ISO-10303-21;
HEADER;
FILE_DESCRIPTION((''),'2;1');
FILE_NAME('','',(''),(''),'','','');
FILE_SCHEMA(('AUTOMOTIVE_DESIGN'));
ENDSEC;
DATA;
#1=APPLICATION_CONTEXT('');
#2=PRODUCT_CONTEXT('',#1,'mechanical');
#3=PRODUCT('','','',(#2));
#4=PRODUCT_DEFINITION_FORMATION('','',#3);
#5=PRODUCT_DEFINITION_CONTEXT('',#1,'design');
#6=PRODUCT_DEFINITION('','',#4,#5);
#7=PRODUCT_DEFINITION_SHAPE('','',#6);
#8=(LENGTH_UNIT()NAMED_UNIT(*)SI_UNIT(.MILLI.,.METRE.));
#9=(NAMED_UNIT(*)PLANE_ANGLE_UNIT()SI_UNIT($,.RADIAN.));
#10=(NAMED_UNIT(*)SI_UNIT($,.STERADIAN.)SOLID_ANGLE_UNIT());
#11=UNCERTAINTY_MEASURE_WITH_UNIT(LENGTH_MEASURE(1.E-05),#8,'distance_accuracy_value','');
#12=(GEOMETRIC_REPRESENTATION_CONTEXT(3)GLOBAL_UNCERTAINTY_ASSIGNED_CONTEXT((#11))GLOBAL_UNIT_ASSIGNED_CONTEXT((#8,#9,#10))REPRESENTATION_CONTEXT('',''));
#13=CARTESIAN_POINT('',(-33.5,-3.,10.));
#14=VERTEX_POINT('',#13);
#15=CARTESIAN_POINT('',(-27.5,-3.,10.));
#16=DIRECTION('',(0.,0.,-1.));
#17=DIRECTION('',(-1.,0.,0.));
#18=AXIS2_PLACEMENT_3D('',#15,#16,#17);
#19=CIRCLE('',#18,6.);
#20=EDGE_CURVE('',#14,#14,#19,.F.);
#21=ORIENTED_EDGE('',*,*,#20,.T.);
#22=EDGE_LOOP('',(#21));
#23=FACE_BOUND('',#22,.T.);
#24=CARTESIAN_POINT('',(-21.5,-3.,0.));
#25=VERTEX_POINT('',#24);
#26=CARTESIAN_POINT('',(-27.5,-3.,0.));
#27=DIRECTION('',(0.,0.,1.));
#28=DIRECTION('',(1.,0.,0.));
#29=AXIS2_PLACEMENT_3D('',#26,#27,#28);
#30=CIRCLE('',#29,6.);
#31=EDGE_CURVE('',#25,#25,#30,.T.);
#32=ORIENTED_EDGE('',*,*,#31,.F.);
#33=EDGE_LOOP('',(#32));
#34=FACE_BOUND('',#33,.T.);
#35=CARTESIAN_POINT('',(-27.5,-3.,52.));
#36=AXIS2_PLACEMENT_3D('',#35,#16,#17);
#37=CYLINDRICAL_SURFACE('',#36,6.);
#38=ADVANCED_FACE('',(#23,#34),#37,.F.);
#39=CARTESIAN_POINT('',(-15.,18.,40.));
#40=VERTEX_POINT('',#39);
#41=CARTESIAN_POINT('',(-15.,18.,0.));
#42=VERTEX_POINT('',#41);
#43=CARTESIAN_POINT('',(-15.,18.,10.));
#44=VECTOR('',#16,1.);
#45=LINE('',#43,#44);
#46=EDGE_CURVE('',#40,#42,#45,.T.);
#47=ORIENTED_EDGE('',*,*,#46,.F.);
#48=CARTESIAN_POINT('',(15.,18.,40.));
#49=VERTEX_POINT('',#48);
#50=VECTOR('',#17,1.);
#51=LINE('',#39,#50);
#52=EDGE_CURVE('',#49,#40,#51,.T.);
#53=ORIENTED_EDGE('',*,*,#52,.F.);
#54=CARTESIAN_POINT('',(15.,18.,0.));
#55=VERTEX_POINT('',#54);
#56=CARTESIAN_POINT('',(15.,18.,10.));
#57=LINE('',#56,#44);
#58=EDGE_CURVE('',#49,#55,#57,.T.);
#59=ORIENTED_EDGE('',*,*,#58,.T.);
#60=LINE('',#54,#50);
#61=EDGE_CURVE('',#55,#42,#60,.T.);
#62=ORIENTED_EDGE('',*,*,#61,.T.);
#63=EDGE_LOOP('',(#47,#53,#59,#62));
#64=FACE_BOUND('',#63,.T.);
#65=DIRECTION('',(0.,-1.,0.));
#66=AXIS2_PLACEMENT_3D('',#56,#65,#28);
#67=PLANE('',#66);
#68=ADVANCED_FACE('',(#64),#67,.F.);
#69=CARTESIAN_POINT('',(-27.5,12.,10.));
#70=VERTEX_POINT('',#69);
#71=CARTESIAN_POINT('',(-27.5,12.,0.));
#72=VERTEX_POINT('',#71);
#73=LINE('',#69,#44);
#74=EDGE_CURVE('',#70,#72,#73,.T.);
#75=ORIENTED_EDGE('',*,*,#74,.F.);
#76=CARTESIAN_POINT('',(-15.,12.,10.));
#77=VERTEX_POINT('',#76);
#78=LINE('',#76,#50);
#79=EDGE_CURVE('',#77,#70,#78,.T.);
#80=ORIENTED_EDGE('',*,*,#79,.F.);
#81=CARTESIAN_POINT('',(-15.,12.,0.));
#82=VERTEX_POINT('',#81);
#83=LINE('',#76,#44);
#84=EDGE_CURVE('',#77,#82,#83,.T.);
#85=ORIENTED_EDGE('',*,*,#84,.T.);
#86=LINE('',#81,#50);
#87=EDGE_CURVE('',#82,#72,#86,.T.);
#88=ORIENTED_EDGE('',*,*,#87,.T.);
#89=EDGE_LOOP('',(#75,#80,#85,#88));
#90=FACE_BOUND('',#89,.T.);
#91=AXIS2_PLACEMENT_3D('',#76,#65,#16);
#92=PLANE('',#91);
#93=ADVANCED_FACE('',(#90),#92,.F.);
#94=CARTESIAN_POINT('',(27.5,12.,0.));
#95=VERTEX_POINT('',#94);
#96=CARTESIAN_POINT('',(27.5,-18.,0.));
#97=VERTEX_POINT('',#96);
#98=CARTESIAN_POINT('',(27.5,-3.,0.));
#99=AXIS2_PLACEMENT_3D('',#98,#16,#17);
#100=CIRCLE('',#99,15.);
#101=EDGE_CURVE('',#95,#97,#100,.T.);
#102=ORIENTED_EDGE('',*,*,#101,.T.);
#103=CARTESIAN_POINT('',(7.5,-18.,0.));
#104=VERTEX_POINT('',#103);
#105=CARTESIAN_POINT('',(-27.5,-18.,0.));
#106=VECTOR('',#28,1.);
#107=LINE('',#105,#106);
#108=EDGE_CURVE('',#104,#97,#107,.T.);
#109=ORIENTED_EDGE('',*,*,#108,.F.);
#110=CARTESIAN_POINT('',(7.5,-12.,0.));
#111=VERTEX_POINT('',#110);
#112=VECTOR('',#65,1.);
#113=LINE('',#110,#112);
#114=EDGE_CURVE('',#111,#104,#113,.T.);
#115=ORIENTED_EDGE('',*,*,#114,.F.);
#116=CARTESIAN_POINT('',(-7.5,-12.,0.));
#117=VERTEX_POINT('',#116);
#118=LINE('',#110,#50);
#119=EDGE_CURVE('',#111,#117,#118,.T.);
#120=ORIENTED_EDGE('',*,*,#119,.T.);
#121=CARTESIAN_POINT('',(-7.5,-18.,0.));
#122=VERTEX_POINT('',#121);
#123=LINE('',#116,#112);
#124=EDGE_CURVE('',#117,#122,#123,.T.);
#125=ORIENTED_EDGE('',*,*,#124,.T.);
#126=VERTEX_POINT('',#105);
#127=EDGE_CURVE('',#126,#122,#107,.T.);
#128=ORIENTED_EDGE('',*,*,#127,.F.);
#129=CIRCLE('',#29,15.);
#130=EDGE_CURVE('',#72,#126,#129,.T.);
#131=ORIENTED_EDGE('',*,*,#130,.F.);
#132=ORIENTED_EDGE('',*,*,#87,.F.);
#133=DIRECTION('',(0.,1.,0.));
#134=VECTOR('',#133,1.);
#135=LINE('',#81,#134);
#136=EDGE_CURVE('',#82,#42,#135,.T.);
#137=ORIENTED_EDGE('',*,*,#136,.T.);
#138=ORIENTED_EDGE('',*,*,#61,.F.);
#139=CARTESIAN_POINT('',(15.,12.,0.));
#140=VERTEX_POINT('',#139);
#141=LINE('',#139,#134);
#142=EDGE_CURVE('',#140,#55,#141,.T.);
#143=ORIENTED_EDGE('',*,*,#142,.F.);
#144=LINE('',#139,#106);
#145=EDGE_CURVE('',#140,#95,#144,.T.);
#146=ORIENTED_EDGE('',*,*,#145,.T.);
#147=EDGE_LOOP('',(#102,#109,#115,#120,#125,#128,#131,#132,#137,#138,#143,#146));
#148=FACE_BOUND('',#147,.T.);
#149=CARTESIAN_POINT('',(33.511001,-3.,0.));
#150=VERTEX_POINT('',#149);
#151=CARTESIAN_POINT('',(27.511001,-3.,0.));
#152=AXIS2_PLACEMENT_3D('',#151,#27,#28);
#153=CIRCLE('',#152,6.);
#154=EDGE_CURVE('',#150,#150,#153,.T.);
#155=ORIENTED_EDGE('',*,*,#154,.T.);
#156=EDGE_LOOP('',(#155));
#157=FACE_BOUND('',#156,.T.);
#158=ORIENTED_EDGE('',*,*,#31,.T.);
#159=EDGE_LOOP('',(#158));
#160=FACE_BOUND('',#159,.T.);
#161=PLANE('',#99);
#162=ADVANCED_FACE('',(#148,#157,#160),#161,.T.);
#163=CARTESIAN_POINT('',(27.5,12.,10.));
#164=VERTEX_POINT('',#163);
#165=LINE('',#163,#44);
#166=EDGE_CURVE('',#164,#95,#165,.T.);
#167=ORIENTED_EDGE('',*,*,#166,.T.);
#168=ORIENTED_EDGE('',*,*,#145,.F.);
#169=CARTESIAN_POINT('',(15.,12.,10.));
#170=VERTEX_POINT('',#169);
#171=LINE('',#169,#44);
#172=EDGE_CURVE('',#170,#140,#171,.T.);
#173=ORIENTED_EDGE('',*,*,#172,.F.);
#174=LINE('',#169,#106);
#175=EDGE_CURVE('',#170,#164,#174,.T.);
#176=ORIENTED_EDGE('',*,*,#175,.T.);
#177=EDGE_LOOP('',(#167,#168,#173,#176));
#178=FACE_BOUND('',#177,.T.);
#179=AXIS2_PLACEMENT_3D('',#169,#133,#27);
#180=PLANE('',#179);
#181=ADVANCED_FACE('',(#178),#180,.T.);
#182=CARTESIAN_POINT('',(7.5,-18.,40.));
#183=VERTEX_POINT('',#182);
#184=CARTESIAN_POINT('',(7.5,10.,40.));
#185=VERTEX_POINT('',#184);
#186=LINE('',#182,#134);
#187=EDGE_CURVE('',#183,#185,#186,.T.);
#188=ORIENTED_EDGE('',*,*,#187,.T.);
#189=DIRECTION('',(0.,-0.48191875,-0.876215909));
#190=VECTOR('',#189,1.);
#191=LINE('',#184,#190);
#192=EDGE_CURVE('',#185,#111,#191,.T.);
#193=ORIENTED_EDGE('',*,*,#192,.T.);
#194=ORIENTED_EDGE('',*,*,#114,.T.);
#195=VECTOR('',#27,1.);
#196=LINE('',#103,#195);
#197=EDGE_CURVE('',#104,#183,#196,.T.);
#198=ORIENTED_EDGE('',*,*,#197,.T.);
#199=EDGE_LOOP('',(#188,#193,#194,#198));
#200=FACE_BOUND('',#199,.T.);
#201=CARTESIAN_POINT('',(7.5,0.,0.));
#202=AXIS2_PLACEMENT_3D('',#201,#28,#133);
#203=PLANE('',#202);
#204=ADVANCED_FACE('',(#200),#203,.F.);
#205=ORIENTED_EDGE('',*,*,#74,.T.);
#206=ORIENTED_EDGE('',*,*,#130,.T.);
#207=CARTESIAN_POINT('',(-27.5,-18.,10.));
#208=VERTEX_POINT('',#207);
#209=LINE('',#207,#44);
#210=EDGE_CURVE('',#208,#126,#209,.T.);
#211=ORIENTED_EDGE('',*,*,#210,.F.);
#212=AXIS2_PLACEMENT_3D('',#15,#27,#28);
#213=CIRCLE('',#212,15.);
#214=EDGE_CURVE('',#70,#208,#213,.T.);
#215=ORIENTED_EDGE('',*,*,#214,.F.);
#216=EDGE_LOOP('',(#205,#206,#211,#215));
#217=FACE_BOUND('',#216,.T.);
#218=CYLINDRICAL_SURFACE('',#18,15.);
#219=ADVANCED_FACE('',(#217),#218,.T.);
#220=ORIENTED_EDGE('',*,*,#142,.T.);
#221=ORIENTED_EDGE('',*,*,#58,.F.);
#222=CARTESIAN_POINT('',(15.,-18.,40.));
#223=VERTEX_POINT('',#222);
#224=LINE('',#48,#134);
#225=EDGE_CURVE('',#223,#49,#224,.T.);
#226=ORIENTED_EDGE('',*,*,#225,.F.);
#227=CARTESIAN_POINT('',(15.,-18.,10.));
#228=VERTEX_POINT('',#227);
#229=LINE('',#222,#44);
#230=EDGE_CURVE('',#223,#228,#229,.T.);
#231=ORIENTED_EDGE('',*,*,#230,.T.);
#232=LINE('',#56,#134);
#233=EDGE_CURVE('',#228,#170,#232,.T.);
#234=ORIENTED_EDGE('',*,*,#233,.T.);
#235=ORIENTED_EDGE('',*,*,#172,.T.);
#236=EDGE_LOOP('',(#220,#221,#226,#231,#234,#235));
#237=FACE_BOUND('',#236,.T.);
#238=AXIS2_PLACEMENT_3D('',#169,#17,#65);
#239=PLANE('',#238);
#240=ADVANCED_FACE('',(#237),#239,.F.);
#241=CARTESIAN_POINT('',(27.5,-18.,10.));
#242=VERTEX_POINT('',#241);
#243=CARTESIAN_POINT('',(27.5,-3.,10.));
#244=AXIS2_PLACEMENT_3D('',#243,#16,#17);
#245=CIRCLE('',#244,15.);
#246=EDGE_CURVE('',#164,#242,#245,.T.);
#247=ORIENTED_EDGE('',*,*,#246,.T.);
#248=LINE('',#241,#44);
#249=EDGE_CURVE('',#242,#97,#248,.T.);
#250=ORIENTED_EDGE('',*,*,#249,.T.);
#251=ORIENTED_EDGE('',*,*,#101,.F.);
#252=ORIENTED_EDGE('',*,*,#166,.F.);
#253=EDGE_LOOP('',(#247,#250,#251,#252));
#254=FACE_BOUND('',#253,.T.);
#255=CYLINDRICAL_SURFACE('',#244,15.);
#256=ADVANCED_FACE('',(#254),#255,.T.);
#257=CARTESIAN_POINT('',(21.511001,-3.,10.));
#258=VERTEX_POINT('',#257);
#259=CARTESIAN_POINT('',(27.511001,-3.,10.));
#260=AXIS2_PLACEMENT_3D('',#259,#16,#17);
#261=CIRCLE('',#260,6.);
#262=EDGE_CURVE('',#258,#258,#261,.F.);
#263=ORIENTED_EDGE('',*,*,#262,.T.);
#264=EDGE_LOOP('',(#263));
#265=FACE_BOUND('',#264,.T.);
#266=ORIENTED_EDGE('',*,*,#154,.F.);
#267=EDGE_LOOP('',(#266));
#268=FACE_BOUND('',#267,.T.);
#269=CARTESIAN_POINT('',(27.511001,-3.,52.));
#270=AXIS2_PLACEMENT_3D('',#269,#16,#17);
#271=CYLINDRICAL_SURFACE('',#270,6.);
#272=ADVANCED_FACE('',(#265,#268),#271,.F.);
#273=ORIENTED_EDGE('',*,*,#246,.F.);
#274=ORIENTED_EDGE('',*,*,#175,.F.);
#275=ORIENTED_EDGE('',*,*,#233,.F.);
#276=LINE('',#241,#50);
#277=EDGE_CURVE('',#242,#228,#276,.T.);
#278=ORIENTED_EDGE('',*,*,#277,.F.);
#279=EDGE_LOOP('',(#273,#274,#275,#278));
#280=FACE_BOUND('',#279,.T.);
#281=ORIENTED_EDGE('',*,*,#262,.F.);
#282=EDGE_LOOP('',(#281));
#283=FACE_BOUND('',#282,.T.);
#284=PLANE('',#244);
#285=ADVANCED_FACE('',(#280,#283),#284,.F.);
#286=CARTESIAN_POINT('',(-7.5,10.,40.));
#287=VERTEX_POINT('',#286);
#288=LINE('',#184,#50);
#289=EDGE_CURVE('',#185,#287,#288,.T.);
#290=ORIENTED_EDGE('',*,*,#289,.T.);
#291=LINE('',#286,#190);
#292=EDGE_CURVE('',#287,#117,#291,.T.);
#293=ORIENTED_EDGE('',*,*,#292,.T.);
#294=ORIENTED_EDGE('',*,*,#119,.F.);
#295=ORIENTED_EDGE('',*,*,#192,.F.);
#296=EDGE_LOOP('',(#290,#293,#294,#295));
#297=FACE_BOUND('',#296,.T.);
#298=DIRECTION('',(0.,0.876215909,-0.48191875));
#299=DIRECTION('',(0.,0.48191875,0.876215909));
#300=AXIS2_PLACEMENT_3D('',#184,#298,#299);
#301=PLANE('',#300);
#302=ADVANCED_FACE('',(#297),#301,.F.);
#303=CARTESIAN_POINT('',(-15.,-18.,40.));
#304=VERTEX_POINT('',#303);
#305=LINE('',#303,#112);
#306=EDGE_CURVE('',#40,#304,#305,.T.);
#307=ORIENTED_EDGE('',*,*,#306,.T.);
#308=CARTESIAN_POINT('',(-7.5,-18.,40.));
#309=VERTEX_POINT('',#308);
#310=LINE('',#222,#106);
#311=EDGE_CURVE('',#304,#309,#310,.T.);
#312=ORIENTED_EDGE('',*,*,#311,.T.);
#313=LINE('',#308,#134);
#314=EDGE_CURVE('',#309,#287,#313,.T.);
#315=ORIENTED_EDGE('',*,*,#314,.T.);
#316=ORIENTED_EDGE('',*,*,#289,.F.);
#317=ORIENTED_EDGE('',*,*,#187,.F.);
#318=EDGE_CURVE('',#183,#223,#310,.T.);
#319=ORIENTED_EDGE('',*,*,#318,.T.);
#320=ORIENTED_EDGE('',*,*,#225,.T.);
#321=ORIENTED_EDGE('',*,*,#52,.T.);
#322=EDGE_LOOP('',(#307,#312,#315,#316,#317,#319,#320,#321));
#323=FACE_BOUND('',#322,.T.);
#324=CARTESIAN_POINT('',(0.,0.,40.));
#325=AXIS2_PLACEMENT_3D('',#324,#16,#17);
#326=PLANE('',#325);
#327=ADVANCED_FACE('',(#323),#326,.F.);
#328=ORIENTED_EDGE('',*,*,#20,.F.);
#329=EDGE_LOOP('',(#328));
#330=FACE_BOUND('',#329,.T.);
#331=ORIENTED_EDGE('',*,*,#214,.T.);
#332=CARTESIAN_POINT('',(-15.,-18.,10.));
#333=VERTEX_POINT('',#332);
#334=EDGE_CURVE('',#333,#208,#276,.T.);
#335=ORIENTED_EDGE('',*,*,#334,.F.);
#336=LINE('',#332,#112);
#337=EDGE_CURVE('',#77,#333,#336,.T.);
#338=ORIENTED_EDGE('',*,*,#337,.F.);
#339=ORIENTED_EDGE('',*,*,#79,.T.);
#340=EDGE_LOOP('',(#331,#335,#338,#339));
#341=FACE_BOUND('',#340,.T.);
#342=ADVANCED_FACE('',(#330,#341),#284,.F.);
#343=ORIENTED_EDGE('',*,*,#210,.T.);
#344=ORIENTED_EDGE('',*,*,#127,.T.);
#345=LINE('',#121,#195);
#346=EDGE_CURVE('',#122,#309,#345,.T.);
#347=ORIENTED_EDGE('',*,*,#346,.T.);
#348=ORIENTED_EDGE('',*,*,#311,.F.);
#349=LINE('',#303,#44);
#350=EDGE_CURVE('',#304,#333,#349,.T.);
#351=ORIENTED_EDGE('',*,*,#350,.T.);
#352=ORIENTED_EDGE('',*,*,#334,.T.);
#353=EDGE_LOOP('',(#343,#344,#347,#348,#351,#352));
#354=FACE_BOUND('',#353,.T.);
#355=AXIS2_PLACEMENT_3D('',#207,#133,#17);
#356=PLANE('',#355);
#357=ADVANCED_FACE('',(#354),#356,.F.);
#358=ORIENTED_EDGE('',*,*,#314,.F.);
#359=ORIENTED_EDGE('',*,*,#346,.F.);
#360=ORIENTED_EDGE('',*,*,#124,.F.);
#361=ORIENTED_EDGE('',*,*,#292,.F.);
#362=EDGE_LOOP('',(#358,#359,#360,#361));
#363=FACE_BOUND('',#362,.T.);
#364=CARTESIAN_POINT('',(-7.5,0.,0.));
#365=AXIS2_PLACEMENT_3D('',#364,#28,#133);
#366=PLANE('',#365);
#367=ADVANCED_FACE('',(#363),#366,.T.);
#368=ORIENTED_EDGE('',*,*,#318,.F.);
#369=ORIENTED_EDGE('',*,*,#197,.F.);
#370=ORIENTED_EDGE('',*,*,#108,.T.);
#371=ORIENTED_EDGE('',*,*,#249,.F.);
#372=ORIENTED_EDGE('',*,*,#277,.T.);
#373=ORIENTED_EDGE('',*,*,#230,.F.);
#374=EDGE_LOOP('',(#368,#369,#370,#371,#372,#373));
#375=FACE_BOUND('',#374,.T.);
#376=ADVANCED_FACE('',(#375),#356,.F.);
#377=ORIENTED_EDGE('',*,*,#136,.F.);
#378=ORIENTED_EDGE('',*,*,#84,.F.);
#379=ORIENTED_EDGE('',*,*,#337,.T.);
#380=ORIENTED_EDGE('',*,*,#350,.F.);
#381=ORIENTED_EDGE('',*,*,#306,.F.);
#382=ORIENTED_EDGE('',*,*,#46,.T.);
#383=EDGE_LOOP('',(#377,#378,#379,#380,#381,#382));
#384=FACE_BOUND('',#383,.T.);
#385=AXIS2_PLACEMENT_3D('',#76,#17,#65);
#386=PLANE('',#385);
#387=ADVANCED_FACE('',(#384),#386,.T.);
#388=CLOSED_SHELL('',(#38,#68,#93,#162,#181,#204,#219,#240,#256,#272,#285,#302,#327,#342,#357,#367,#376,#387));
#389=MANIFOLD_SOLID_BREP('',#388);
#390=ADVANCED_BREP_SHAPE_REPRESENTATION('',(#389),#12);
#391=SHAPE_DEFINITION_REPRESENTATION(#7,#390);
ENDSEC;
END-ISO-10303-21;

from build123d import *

# Parameters (mm, degrees)
EXTRUDE_1_DEPTH     = 10
SKETCH_3_W          = 30
SKETCH_3_H          = 36
EXTRUDE_2_DEPTH     = 30
SKETCH_4_R          = 6
CUT_EXTRUDE_1_DEPTH = 52
CUT_EXTRUDE_START   = -7.5
CUT_EXTRUDE_2_DEPTH = 15


with BuildPart() as part:
    # 草图1 → 凸台-拉伸1 (new body)
    with BuildSketch(Plane.XY):
        with BuildLine():
            Line((15, -18), (-15, -18))
            Line((-15, -18), (-27.5, -18))
            ThreePointArc((-27.5, -18), (-38.106601718, -13.606601718), (-42.5, -3))
            ThreePointArc((-42.5, -3), (-38.106601718, 7.606601718), (-27.5, 12))
            Line((-27.5, 12), (-15, 12))
            Line((-15, 12), (-15, 18))
            Line((-15, 18), (15, 18))
            Line((15, 18), (15, 12))
            Line((15, 12), (27.5, 12))
            ThreePointArc((27.5, 12), (38.106601718, 7.606601718), (42.5, -3))
            ThreePointArc((42.5, -3), (38.106601718, -13.606601718), (27.5, -18))
            Line((27.5, -18), (15, -18))
        make_face()
    extrude(amount=EXTRUDE_1_DEPTH)

    # 草图3 → 凸台-拉伸2 (add)
    with BuildSketch(Plane.XY.offset(10)):
        Rectangle(SKETCH_3_W, SKETCH_3_H)
    extrude(amount=EXTRUDE_2_DEPTH)

    # 草图4 → 切除-拉伸1 (cut)
    with BuildSketch(Plane.XY):
        with Locations(Location((-27.5, -3, 0), (0, 0, 180))):
            Circle(SKETCH_4_R)
        with Locations(Location((27.511001478, -3, 0), (0, 0, 180))):
            Circle(SKETCH_4_R)
    extrude(amount=CUT_EXTRUDE_1_DEPTH, mode=Mode.SUBTRACT)

    # 草图5 → 切除-拉伸2 (cut)
    with BuildSketch(Plane.ZY.offset(15).offset(CUT_EXTRUDE_START)):
        Polygon((40, 10), (0, -12), (0, -18), (40, -18), align=None)
    extrude(amount=-CUT_EXTRUDE_2_DEPTH, mode=Mode.SUBTRACT)


solid = part.part
